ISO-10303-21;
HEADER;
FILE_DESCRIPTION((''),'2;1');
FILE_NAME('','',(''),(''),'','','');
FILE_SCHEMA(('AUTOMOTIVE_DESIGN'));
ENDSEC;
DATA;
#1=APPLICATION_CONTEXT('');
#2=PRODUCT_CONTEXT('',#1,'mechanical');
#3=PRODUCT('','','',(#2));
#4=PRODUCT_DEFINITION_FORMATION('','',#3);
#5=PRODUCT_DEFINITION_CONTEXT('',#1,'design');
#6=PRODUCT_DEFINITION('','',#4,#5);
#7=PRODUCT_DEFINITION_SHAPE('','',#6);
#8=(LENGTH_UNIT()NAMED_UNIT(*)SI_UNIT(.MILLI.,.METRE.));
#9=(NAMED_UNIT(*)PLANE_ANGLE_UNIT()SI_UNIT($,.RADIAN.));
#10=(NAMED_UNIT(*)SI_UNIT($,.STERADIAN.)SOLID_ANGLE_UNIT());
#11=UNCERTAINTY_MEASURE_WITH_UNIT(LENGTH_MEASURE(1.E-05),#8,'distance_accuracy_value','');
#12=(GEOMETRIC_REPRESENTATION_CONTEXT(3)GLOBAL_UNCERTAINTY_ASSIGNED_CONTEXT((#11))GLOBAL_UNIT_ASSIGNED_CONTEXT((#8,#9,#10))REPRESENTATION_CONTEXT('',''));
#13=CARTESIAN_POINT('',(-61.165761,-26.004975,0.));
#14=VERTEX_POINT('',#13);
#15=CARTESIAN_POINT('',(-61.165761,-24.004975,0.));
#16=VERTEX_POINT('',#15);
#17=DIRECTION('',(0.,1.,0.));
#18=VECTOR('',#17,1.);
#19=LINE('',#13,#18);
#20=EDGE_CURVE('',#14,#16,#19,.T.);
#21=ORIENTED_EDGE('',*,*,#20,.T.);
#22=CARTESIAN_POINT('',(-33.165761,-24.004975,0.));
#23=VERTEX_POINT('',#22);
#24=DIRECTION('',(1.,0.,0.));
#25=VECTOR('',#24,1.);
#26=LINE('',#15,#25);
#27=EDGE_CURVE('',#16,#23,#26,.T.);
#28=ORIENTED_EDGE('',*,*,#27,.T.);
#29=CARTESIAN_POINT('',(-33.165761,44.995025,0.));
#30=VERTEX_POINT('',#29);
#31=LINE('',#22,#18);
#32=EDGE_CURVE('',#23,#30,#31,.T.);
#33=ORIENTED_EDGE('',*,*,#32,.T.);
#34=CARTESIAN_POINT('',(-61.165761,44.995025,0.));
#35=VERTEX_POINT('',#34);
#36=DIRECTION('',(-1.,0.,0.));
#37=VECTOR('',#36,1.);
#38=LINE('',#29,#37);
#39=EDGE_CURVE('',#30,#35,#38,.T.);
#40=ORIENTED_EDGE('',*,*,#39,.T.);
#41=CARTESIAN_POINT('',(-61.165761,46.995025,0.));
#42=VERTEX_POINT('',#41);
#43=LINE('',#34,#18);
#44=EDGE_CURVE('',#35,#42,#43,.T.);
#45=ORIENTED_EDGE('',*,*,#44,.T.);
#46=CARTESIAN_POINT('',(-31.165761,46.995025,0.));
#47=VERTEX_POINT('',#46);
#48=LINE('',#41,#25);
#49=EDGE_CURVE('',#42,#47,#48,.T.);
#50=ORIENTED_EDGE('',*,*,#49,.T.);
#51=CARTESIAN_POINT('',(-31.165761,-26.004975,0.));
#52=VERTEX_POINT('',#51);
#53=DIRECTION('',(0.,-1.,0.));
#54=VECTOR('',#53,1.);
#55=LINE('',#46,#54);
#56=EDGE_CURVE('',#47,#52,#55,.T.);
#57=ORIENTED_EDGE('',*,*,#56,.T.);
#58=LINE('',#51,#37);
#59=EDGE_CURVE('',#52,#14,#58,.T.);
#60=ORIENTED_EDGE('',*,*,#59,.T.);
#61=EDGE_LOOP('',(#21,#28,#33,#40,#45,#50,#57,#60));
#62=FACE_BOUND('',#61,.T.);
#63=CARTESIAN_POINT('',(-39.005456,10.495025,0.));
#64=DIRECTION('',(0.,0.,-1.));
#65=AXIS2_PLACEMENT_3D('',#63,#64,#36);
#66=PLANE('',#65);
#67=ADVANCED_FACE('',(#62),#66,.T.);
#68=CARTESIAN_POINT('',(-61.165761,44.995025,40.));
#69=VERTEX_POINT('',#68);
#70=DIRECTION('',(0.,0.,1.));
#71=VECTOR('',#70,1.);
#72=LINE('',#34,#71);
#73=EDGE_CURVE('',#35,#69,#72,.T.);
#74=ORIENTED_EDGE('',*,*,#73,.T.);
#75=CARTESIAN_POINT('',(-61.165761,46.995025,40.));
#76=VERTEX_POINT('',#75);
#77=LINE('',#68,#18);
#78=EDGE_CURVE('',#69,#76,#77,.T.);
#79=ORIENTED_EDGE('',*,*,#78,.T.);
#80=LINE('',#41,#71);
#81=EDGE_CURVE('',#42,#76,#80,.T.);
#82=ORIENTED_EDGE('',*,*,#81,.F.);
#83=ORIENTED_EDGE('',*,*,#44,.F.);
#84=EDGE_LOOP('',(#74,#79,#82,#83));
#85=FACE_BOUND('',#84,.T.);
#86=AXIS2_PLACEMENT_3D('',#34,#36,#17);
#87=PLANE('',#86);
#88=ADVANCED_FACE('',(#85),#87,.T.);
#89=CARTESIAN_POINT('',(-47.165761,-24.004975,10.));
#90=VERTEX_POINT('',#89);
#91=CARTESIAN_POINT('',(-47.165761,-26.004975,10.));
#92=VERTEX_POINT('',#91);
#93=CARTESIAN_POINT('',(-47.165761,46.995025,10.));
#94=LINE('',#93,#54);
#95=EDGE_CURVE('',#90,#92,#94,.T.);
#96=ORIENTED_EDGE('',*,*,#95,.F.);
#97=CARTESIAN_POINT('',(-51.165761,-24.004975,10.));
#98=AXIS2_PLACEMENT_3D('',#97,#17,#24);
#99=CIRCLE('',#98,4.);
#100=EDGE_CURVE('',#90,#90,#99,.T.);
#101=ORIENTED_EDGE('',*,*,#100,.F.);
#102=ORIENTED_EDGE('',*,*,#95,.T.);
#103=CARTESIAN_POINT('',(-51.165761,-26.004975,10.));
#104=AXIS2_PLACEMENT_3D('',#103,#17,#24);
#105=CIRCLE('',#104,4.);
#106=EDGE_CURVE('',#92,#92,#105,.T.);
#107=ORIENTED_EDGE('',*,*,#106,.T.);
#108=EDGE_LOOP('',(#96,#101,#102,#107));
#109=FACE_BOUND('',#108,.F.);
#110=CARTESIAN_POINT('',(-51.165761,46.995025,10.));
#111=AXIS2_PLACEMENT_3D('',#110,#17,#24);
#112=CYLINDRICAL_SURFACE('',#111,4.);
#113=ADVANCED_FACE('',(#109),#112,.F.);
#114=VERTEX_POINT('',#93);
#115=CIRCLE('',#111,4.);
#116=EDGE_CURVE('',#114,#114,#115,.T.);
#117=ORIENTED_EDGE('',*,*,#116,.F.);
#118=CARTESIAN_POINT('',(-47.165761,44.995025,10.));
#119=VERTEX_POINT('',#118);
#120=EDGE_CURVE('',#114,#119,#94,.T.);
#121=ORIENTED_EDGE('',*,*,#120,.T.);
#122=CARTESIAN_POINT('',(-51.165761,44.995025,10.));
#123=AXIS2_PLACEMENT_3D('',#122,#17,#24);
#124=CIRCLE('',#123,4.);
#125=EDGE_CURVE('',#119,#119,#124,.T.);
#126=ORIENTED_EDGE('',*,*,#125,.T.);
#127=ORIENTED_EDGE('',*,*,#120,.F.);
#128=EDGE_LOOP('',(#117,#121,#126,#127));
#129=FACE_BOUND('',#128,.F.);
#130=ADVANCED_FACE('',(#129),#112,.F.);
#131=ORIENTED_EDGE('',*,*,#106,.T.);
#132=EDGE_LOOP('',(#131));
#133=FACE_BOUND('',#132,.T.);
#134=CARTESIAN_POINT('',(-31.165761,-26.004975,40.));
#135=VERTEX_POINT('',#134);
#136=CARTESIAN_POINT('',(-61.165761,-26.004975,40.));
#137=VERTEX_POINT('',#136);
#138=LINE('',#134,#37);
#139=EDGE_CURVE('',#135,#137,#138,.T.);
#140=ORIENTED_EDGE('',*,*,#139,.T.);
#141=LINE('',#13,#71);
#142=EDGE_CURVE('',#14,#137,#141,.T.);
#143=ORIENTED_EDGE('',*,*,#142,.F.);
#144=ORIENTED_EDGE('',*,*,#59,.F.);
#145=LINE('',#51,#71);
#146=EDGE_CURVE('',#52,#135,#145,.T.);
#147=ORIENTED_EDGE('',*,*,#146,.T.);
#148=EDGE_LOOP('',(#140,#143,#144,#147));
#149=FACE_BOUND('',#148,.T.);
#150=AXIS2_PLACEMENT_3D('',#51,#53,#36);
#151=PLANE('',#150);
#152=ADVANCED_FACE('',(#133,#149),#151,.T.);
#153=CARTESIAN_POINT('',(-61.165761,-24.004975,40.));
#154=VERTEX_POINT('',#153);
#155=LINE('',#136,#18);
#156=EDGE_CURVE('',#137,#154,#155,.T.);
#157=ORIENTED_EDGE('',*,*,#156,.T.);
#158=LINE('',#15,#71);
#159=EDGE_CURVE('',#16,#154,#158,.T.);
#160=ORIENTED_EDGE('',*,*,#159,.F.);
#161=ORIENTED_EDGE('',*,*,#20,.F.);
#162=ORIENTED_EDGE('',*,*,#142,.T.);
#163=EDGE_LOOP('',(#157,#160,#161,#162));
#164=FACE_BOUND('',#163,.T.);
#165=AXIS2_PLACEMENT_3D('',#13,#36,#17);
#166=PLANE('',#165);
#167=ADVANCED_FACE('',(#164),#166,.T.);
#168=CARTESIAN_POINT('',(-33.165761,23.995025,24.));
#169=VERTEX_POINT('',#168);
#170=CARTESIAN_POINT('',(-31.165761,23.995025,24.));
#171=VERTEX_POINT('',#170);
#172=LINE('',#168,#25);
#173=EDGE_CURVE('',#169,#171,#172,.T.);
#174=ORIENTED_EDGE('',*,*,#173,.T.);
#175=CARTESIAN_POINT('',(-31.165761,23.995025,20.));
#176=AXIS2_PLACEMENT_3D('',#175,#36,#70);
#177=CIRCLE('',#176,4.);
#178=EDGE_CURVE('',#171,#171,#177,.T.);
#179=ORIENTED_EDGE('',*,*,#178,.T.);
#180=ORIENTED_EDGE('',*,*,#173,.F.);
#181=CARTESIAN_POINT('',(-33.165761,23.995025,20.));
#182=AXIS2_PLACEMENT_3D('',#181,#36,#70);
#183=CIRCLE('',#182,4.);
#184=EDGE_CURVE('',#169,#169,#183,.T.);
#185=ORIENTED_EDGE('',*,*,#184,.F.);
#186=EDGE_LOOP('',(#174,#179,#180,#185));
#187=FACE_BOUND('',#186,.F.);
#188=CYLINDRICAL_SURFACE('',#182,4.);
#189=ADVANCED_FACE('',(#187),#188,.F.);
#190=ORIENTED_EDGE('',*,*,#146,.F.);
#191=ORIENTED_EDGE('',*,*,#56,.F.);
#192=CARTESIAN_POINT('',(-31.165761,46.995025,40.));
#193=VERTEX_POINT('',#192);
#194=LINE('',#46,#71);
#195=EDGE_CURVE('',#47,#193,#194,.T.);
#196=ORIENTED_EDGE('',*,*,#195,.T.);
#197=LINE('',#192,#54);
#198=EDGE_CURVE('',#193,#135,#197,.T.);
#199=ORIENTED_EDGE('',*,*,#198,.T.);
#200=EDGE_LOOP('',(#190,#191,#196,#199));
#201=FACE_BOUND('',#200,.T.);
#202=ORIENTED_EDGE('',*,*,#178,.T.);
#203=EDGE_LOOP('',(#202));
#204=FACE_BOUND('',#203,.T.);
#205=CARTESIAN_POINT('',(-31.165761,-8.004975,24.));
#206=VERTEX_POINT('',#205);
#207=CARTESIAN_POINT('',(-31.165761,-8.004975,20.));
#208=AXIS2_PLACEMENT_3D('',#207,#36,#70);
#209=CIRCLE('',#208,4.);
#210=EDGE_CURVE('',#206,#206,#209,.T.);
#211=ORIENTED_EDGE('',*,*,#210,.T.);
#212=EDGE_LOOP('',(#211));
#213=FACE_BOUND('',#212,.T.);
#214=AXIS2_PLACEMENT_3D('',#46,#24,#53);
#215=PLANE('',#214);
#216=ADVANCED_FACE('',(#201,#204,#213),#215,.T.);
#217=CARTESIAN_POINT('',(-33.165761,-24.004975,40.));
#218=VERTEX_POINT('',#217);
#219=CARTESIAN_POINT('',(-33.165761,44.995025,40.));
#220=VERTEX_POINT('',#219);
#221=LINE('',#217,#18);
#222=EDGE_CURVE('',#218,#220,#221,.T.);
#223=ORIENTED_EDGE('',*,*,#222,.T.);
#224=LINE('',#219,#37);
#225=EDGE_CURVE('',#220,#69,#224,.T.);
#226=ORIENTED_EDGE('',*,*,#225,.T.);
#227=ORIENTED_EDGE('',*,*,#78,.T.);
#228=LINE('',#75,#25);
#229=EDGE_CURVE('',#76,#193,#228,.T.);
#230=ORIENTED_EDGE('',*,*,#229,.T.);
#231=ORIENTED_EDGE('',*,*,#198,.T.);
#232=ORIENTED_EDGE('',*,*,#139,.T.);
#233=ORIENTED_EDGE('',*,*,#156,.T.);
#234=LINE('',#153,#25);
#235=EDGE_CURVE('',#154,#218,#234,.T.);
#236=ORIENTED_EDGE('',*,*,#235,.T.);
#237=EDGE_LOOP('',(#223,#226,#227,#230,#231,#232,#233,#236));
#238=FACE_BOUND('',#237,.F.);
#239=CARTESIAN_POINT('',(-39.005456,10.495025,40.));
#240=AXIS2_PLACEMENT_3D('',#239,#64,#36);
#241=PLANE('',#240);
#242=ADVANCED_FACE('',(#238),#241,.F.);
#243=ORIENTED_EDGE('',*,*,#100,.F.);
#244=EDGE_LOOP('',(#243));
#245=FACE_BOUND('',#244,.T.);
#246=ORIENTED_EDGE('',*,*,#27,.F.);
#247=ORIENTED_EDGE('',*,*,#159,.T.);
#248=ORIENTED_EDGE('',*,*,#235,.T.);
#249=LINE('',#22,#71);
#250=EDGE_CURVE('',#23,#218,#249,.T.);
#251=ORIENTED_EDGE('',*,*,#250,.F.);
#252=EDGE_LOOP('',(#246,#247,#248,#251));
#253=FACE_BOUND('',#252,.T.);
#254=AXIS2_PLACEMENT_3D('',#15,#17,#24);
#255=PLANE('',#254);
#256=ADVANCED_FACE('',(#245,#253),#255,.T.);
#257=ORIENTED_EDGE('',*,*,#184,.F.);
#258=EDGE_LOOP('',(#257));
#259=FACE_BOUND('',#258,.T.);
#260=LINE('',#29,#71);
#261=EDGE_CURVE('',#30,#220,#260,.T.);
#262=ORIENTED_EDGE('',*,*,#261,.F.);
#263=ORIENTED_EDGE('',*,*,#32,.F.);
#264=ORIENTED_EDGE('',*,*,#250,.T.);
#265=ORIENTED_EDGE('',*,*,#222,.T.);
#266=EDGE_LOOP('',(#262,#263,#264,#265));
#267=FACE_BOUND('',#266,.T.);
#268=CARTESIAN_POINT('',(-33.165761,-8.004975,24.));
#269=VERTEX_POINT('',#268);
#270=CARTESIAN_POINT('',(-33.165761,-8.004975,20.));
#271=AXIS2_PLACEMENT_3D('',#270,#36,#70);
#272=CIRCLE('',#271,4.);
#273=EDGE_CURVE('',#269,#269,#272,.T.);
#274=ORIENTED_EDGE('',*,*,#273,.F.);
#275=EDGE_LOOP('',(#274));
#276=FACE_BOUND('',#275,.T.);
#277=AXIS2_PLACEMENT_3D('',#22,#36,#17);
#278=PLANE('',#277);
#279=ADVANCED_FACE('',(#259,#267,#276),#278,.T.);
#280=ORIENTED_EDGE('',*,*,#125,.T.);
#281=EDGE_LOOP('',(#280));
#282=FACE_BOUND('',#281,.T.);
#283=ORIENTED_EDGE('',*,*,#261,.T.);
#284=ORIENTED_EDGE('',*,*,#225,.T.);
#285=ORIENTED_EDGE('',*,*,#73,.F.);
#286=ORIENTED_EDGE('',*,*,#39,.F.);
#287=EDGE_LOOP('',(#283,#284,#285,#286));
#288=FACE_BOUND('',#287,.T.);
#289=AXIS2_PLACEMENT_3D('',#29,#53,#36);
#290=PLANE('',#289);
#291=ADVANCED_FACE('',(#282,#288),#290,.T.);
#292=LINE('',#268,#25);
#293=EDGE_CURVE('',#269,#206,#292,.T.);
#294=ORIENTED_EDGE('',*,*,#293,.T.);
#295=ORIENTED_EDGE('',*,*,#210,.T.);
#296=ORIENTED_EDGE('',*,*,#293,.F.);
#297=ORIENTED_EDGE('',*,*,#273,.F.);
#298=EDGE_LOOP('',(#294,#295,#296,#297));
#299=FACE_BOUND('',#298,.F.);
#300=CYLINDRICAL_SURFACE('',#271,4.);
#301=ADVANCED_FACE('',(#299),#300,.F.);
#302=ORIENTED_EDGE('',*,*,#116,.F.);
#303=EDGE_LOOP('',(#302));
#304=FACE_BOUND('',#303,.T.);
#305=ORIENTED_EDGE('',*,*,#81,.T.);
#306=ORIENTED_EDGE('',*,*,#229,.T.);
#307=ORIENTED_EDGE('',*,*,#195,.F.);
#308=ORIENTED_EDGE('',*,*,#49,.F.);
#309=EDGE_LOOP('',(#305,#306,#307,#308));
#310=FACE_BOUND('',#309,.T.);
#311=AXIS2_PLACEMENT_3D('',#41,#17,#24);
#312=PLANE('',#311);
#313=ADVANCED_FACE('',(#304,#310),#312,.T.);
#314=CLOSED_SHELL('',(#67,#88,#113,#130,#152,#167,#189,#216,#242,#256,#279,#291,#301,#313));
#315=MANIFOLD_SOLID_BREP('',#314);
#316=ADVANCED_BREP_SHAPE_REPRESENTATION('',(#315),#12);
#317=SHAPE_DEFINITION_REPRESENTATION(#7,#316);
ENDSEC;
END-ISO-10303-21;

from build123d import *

# Parameters (mm, degrees)
EXTRUDE_1_DEPTH     = 40
SKETCH_3_R          = 4
CUT_EXTRUDE_1_DEPTH = 40
SKETCH_4_R          = 4
CUT_EXTRUDE_2_DEPTH = 96


with BuildPart() as part:
    # 草图1 → 凸台-拉伸1 (new body)
    with BuildSketch(Plane.XY):
        Polygon((-61.165760894, 46.995024588), (-31.165760894, 46.995024588), (-31.165760894, -26.004975412), (-61.165760894, -26.004975412), (-61.165760894, -24.004975412), (-33.165760894, -24.004975412), (-33.165760894, 44.995024588), (-61.165760894, 44.995024588), align=None)
    extrude(amount=EXTRUDE_1_DEPTH)

    # 草图3 → 切除-拉伸1 (cut)
    with BuildSketch(Plane.ZY.offset(33.165760894)):
        with Locations((20, 23.995024588)):
            Circle(SKETCH_3_R)
        with Locations((20, -8.004975412)):
            Circle(SKETCH_3_R)
    extrude(amount=-CUT_EXTRUDE_1_DEPTH, mode=Mode.SUBTRACT)

    # 草图4 → 切除-拉伸2 (cut)
    with BuildSketch(Plane(origin=(0, 46.995024588, 0), x_dir=(1, 0, 0), z_dir=(0, 1, 0))):
        with Locations((-51.165760894, -10)):
            Circle(SKETCH_4_R)
    extrude(amount=-CUT_EXTRUDE_2_DEPTH, mode=Mode.SUBTRACT)


solid = part.part
